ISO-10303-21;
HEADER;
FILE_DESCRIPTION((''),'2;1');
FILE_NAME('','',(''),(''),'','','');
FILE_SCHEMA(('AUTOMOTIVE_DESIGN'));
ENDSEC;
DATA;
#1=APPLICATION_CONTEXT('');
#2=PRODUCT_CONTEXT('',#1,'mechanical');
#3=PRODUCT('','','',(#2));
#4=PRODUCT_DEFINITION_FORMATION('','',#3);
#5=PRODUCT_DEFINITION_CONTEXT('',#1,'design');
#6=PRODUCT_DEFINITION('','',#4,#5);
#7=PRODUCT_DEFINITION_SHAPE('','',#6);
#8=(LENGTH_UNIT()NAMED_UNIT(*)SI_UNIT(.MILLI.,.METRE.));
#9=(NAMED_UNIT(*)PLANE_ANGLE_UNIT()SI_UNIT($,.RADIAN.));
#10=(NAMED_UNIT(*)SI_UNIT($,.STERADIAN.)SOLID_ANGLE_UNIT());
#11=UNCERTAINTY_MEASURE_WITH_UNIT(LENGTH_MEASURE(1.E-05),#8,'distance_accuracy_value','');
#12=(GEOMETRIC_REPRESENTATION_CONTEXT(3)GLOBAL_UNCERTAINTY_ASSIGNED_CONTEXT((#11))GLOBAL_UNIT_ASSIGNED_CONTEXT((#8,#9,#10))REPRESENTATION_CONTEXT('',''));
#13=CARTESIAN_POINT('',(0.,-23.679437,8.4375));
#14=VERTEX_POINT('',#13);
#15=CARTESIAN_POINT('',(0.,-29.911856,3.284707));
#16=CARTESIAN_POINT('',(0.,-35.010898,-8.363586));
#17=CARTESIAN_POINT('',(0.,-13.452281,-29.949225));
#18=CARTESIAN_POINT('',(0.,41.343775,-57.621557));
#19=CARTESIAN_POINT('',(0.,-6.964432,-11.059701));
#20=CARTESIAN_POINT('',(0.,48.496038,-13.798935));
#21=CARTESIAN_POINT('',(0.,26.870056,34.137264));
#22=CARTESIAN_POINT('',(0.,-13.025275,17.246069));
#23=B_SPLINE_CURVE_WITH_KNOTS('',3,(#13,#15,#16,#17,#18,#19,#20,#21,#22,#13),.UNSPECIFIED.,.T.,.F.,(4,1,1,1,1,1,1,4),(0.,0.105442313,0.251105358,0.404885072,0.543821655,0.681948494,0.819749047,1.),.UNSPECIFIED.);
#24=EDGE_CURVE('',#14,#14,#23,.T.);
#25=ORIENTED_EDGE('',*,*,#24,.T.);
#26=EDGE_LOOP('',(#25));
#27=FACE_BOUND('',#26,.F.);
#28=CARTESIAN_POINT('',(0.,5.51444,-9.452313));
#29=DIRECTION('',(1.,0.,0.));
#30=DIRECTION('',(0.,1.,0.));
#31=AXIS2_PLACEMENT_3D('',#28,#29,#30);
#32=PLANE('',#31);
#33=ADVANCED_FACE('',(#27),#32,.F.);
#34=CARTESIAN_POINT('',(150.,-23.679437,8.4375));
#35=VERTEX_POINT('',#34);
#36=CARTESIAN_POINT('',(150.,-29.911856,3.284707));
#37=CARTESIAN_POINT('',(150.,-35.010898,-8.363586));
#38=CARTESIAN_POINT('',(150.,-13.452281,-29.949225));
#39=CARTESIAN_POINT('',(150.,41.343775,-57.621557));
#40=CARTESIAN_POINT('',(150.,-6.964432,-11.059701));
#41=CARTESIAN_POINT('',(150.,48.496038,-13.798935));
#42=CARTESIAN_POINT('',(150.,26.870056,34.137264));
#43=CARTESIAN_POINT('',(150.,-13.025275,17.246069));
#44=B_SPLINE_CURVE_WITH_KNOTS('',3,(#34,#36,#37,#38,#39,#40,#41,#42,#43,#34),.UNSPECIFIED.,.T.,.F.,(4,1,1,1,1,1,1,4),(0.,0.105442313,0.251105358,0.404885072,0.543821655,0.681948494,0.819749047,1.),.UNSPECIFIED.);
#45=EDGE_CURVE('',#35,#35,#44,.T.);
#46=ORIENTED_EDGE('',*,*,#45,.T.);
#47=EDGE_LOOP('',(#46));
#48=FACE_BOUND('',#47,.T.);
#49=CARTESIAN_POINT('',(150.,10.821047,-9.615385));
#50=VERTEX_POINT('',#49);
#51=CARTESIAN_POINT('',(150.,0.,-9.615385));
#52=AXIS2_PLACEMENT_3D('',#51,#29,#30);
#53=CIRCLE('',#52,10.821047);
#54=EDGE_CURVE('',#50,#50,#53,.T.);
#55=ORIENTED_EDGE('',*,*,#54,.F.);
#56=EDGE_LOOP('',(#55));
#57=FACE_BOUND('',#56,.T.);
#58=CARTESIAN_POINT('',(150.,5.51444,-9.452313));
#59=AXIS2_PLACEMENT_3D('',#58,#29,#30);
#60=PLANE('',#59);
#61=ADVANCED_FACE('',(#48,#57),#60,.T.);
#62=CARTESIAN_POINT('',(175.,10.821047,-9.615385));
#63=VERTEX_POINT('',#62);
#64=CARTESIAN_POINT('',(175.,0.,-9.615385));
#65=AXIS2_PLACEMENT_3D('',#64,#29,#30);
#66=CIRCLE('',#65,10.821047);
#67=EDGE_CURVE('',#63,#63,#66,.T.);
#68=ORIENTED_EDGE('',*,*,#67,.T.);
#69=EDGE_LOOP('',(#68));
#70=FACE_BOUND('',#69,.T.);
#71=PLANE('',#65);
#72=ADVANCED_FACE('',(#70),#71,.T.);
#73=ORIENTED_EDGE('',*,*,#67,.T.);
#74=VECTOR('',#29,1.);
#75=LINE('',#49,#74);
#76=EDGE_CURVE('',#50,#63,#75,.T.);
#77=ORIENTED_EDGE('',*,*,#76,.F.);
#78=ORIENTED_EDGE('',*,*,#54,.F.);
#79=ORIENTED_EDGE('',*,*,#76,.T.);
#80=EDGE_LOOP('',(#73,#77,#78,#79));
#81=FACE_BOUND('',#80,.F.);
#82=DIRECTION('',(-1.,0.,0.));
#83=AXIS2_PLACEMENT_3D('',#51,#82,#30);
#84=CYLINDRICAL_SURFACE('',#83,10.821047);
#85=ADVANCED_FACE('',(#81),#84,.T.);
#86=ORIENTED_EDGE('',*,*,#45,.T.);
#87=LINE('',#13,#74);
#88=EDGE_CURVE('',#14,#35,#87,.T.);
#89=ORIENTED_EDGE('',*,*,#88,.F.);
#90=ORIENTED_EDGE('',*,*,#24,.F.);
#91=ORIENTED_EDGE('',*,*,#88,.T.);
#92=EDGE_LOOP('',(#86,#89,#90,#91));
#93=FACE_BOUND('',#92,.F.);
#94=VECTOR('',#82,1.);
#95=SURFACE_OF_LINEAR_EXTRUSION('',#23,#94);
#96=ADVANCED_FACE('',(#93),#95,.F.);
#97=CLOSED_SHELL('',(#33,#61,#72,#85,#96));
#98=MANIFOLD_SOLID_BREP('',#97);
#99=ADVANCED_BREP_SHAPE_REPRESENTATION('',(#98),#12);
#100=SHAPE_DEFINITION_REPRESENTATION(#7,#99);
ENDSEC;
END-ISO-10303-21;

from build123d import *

# Parameters (mm, degrees)
F1_DEPTH = 150
F2_R     = 10.8210470498
F3_DEPTH = 25


with BuildPart() as f1:
    # F0 (on Right) → F1 (new body)
    with BuildSketch(Plane.YZ):
        with BuildLine():
            add(Edge.make_bspline(
                [(-23.6794371158, 8.4375003353), (-29.9118561299, 3.2847070922), (-35.0108979459, -8.3635858895), (-13.4522808761, -29.9492254803), (41.343774668, -57.6215565893), (-6.9644323785, -11.0597008609), (48.4960379318, -13.7989353021), (26.8700562285, 34.1372636102), (-13.0252752572, 17.2460693854), (-23.6794371158, 8.4375003353)],
                knots=[0, 0, 0, 0, 0.1054423127, 0.2511053577, 0.4048850725, 0.5438216555, 0.6819484945, 0.8197490472, 1, 1, 1, 1], degree=3))
        make_face()
    extrude(amount=F1_DEPTH)

    # F2 (on face) → F3 (join)
    with BuildSketch(Plane.YZ.offset(150)):
        with Locations((0, -9.6153849736)):
            Circle(F2_R)
    extrude(amount=F3_DEPTH)


solid = f1.part
